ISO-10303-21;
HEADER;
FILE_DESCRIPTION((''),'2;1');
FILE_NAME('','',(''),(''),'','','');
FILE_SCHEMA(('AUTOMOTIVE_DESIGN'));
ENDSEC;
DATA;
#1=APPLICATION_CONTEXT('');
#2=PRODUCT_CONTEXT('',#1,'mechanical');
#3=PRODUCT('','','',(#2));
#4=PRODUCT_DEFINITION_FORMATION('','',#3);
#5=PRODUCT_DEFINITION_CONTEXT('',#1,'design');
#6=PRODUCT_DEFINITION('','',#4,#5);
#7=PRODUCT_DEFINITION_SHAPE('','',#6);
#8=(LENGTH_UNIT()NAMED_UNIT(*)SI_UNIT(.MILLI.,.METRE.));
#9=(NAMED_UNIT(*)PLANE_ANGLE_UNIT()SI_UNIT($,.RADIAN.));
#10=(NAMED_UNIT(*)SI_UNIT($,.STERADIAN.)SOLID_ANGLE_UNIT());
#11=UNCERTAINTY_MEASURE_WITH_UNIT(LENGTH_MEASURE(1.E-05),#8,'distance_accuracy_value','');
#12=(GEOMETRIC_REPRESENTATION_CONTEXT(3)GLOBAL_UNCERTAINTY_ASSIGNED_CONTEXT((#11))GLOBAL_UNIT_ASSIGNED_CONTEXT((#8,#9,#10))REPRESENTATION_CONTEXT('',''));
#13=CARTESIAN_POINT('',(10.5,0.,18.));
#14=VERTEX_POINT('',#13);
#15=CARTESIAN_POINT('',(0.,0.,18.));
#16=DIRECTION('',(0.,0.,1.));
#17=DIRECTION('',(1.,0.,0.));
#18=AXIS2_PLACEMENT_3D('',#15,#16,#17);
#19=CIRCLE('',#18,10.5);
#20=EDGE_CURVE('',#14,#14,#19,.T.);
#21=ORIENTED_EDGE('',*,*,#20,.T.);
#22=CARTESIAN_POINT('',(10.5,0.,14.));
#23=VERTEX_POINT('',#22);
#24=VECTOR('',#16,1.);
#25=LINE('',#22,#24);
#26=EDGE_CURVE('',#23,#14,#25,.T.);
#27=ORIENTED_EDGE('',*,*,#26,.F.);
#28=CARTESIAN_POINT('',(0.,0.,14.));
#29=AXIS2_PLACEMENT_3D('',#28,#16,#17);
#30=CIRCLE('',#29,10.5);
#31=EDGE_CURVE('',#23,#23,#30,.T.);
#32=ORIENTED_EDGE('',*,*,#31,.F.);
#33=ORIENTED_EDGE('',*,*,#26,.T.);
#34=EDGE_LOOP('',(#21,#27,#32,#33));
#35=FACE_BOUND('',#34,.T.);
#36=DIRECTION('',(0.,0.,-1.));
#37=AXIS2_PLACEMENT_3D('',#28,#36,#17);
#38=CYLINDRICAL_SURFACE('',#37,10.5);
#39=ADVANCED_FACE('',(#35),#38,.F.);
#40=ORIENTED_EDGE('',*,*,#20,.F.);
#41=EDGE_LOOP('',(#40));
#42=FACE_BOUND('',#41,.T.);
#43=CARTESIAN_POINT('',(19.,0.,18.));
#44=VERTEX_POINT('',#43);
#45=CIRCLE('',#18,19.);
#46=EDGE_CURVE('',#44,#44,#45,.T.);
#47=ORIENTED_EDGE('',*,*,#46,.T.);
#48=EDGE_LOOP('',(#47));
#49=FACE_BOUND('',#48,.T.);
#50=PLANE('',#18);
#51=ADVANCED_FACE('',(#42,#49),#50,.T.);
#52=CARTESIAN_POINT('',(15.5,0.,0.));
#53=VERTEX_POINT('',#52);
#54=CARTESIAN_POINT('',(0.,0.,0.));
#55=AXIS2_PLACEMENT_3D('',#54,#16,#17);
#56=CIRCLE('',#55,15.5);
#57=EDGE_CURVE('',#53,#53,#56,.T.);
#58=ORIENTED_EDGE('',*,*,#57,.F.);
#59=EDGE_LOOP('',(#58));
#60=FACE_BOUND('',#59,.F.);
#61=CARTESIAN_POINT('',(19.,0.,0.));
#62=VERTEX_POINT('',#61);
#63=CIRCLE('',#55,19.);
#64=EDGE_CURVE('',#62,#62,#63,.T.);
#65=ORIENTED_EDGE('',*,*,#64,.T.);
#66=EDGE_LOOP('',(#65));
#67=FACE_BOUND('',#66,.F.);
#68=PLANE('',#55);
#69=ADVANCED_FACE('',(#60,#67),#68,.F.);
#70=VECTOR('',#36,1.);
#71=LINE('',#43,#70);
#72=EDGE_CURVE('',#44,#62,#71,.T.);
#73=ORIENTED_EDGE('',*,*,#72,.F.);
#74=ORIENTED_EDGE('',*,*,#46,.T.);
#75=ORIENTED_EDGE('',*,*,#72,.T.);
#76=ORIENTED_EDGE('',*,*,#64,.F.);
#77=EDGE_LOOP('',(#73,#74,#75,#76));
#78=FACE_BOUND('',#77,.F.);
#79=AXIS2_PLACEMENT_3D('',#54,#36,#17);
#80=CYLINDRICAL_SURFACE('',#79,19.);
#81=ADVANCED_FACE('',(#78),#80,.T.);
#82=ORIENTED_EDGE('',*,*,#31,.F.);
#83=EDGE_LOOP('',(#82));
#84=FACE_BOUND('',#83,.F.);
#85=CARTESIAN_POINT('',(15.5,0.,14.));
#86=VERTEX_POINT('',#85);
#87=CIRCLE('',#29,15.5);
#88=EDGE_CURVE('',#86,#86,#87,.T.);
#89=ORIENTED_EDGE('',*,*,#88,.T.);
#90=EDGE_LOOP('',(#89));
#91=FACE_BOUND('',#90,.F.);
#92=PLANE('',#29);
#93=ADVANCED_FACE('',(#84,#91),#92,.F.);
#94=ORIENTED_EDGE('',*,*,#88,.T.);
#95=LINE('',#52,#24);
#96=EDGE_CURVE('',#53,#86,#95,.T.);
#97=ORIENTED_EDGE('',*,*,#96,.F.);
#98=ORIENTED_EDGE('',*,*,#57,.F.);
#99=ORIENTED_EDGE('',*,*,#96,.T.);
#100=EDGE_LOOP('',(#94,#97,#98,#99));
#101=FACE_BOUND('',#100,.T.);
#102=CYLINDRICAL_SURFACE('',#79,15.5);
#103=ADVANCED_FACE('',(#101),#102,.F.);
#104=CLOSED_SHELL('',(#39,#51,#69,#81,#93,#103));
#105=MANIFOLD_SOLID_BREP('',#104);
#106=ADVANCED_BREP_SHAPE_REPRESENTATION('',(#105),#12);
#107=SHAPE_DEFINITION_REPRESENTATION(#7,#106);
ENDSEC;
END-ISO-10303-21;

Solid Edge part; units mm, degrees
sketch "Sketch1" plane through (0, 0, 0) normal (0, 0, 1) x (1, 0, 0)
  circle A0 centre (0, 0) radius 19
  circle A1 centre (0, 0) radius 15.5
extrude "Protrusion1" add sketch "Sketch1" along normal blind 14
sketch "Sketch2" plane through (0, 0, 14) normal (0, 0, 1) x (1, 0, 0)
  circle A0 centre (0, 0) radius 10.5
  circle A1 centre (0, 0) radius 19
extrude "ExtrudedProtrusion_2" add sketch "Sketch2" along normal blind 4
